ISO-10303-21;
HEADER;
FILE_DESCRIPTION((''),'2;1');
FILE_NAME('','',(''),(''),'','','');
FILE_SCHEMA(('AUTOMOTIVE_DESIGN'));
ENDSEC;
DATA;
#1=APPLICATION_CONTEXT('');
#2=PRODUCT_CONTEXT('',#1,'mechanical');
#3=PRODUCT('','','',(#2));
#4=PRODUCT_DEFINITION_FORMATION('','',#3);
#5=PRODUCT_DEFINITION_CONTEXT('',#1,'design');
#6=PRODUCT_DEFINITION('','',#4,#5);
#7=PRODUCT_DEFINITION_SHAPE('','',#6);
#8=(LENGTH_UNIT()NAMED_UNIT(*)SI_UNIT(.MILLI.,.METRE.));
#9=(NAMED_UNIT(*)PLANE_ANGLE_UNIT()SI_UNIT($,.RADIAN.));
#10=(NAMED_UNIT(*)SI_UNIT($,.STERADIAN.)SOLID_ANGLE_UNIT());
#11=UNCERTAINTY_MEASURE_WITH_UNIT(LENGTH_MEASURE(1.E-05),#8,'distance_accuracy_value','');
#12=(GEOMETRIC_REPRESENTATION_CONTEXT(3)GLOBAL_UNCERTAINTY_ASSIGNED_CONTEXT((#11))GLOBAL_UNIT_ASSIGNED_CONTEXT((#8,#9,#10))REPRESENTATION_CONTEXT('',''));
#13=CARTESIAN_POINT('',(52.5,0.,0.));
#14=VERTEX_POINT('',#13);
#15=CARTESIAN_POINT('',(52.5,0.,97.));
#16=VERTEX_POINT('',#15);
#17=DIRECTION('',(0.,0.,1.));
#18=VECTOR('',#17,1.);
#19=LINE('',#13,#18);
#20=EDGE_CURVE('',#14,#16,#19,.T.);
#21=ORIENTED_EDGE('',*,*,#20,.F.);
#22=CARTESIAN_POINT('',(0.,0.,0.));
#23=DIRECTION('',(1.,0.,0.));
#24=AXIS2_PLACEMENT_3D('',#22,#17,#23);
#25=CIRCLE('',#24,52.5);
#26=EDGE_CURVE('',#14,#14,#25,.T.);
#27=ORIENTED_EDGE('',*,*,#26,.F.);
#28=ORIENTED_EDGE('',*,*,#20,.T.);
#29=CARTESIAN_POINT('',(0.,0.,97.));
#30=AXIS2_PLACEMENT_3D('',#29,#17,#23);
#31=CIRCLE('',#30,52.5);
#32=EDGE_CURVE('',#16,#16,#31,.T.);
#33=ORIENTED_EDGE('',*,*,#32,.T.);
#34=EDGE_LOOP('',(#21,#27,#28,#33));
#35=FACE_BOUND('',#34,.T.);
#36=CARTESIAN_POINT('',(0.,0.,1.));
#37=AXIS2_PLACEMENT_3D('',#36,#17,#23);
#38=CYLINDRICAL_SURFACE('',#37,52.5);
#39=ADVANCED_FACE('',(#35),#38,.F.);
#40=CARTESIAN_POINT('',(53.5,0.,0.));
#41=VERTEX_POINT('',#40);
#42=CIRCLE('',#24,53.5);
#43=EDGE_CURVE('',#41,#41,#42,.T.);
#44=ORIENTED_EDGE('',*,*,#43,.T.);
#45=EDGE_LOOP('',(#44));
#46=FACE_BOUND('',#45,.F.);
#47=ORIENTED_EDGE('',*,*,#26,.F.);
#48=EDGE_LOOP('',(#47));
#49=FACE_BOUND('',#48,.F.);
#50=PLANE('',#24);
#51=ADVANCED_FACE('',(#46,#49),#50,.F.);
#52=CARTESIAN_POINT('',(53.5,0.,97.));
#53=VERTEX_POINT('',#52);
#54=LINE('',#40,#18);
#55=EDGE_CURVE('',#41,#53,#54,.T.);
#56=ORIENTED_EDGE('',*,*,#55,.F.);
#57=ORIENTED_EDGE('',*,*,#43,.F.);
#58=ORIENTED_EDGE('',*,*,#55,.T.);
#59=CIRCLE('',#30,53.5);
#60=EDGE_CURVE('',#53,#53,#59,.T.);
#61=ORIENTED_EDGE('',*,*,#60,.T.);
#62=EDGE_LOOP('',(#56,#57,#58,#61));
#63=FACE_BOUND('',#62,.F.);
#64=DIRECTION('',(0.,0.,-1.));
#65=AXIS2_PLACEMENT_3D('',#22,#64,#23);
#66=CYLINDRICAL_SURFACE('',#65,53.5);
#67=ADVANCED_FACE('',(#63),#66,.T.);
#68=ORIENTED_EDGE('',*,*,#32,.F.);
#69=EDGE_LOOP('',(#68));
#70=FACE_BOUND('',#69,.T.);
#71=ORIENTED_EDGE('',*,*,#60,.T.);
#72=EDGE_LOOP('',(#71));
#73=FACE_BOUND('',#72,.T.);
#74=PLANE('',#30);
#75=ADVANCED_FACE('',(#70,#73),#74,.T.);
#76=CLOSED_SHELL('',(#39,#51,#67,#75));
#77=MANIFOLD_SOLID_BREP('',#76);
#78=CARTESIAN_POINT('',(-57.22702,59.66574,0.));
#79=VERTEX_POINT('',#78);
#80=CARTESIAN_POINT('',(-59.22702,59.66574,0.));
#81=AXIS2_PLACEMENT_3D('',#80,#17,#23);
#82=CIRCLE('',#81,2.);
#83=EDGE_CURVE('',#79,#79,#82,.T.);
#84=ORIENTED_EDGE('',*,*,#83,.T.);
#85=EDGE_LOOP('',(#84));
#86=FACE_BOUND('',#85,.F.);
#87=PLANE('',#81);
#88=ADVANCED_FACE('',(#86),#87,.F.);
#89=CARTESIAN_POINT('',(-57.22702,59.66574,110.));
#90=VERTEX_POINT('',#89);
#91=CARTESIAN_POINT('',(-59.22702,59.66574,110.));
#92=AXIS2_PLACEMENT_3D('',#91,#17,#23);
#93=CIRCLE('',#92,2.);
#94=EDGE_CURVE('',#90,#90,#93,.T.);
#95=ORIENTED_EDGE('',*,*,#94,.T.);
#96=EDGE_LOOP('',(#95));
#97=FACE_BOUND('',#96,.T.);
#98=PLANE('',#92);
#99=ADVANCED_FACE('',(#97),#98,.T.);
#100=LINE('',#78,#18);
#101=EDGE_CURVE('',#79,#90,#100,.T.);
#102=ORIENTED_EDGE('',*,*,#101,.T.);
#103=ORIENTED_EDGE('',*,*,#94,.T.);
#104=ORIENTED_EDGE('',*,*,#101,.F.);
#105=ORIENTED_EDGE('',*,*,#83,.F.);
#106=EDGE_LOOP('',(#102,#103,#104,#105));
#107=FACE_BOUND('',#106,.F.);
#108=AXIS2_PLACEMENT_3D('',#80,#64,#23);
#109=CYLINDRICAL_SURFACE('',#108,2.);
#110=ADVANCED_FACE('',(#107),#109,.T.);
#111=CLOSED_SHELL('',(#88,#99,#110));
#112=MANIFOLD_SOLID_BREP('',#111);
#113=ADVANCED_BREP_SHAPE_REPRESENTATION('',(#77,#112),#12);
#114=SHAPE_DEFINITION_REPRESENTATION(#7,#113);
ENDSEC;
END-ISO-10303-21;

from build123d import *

# Parameters (mm, degrees)
F0_R     = 53.5
F1_DEPTH = 97
F2_T     = -1
F3_DEPTH = 1.001
F4_R     = 2
F5_DEPTH = 110


with BuildPart() as f1:
    # F0 (on Top) → F1 (new body)
    with BuildSketch(Plane.XY):
        Circle(F0_R)
    extrude(amount=F1_DEPTH)

    # F2
    f2_openings = [f1.faces().sort_by_distance(p)[0] for p in [
        (0, 0, 97),
    ]]
    offset(amount=F2_T, openings=f2_openings)

    # F3 (cut, through all): a face of the model
    f3_faces = [f1.faces().sort_by_distance(p)[0] for p in [
        (0, 0, 1),
    ]]
    extrude(f3_faces, amount=-F3_DEPTH, mode=Mode.SUBTRACT)


with BuildPart() as f5:
    # F4 (on Top) → F5 (new body)
    with BuildSketch(Plane.XY):
        with Locations((-59.2270195484, 59.6657395363)):
            Circle(F4_R)
    extrude(amount=F5_DEPTH)


solid = Compound([f1.part, f5.part])
